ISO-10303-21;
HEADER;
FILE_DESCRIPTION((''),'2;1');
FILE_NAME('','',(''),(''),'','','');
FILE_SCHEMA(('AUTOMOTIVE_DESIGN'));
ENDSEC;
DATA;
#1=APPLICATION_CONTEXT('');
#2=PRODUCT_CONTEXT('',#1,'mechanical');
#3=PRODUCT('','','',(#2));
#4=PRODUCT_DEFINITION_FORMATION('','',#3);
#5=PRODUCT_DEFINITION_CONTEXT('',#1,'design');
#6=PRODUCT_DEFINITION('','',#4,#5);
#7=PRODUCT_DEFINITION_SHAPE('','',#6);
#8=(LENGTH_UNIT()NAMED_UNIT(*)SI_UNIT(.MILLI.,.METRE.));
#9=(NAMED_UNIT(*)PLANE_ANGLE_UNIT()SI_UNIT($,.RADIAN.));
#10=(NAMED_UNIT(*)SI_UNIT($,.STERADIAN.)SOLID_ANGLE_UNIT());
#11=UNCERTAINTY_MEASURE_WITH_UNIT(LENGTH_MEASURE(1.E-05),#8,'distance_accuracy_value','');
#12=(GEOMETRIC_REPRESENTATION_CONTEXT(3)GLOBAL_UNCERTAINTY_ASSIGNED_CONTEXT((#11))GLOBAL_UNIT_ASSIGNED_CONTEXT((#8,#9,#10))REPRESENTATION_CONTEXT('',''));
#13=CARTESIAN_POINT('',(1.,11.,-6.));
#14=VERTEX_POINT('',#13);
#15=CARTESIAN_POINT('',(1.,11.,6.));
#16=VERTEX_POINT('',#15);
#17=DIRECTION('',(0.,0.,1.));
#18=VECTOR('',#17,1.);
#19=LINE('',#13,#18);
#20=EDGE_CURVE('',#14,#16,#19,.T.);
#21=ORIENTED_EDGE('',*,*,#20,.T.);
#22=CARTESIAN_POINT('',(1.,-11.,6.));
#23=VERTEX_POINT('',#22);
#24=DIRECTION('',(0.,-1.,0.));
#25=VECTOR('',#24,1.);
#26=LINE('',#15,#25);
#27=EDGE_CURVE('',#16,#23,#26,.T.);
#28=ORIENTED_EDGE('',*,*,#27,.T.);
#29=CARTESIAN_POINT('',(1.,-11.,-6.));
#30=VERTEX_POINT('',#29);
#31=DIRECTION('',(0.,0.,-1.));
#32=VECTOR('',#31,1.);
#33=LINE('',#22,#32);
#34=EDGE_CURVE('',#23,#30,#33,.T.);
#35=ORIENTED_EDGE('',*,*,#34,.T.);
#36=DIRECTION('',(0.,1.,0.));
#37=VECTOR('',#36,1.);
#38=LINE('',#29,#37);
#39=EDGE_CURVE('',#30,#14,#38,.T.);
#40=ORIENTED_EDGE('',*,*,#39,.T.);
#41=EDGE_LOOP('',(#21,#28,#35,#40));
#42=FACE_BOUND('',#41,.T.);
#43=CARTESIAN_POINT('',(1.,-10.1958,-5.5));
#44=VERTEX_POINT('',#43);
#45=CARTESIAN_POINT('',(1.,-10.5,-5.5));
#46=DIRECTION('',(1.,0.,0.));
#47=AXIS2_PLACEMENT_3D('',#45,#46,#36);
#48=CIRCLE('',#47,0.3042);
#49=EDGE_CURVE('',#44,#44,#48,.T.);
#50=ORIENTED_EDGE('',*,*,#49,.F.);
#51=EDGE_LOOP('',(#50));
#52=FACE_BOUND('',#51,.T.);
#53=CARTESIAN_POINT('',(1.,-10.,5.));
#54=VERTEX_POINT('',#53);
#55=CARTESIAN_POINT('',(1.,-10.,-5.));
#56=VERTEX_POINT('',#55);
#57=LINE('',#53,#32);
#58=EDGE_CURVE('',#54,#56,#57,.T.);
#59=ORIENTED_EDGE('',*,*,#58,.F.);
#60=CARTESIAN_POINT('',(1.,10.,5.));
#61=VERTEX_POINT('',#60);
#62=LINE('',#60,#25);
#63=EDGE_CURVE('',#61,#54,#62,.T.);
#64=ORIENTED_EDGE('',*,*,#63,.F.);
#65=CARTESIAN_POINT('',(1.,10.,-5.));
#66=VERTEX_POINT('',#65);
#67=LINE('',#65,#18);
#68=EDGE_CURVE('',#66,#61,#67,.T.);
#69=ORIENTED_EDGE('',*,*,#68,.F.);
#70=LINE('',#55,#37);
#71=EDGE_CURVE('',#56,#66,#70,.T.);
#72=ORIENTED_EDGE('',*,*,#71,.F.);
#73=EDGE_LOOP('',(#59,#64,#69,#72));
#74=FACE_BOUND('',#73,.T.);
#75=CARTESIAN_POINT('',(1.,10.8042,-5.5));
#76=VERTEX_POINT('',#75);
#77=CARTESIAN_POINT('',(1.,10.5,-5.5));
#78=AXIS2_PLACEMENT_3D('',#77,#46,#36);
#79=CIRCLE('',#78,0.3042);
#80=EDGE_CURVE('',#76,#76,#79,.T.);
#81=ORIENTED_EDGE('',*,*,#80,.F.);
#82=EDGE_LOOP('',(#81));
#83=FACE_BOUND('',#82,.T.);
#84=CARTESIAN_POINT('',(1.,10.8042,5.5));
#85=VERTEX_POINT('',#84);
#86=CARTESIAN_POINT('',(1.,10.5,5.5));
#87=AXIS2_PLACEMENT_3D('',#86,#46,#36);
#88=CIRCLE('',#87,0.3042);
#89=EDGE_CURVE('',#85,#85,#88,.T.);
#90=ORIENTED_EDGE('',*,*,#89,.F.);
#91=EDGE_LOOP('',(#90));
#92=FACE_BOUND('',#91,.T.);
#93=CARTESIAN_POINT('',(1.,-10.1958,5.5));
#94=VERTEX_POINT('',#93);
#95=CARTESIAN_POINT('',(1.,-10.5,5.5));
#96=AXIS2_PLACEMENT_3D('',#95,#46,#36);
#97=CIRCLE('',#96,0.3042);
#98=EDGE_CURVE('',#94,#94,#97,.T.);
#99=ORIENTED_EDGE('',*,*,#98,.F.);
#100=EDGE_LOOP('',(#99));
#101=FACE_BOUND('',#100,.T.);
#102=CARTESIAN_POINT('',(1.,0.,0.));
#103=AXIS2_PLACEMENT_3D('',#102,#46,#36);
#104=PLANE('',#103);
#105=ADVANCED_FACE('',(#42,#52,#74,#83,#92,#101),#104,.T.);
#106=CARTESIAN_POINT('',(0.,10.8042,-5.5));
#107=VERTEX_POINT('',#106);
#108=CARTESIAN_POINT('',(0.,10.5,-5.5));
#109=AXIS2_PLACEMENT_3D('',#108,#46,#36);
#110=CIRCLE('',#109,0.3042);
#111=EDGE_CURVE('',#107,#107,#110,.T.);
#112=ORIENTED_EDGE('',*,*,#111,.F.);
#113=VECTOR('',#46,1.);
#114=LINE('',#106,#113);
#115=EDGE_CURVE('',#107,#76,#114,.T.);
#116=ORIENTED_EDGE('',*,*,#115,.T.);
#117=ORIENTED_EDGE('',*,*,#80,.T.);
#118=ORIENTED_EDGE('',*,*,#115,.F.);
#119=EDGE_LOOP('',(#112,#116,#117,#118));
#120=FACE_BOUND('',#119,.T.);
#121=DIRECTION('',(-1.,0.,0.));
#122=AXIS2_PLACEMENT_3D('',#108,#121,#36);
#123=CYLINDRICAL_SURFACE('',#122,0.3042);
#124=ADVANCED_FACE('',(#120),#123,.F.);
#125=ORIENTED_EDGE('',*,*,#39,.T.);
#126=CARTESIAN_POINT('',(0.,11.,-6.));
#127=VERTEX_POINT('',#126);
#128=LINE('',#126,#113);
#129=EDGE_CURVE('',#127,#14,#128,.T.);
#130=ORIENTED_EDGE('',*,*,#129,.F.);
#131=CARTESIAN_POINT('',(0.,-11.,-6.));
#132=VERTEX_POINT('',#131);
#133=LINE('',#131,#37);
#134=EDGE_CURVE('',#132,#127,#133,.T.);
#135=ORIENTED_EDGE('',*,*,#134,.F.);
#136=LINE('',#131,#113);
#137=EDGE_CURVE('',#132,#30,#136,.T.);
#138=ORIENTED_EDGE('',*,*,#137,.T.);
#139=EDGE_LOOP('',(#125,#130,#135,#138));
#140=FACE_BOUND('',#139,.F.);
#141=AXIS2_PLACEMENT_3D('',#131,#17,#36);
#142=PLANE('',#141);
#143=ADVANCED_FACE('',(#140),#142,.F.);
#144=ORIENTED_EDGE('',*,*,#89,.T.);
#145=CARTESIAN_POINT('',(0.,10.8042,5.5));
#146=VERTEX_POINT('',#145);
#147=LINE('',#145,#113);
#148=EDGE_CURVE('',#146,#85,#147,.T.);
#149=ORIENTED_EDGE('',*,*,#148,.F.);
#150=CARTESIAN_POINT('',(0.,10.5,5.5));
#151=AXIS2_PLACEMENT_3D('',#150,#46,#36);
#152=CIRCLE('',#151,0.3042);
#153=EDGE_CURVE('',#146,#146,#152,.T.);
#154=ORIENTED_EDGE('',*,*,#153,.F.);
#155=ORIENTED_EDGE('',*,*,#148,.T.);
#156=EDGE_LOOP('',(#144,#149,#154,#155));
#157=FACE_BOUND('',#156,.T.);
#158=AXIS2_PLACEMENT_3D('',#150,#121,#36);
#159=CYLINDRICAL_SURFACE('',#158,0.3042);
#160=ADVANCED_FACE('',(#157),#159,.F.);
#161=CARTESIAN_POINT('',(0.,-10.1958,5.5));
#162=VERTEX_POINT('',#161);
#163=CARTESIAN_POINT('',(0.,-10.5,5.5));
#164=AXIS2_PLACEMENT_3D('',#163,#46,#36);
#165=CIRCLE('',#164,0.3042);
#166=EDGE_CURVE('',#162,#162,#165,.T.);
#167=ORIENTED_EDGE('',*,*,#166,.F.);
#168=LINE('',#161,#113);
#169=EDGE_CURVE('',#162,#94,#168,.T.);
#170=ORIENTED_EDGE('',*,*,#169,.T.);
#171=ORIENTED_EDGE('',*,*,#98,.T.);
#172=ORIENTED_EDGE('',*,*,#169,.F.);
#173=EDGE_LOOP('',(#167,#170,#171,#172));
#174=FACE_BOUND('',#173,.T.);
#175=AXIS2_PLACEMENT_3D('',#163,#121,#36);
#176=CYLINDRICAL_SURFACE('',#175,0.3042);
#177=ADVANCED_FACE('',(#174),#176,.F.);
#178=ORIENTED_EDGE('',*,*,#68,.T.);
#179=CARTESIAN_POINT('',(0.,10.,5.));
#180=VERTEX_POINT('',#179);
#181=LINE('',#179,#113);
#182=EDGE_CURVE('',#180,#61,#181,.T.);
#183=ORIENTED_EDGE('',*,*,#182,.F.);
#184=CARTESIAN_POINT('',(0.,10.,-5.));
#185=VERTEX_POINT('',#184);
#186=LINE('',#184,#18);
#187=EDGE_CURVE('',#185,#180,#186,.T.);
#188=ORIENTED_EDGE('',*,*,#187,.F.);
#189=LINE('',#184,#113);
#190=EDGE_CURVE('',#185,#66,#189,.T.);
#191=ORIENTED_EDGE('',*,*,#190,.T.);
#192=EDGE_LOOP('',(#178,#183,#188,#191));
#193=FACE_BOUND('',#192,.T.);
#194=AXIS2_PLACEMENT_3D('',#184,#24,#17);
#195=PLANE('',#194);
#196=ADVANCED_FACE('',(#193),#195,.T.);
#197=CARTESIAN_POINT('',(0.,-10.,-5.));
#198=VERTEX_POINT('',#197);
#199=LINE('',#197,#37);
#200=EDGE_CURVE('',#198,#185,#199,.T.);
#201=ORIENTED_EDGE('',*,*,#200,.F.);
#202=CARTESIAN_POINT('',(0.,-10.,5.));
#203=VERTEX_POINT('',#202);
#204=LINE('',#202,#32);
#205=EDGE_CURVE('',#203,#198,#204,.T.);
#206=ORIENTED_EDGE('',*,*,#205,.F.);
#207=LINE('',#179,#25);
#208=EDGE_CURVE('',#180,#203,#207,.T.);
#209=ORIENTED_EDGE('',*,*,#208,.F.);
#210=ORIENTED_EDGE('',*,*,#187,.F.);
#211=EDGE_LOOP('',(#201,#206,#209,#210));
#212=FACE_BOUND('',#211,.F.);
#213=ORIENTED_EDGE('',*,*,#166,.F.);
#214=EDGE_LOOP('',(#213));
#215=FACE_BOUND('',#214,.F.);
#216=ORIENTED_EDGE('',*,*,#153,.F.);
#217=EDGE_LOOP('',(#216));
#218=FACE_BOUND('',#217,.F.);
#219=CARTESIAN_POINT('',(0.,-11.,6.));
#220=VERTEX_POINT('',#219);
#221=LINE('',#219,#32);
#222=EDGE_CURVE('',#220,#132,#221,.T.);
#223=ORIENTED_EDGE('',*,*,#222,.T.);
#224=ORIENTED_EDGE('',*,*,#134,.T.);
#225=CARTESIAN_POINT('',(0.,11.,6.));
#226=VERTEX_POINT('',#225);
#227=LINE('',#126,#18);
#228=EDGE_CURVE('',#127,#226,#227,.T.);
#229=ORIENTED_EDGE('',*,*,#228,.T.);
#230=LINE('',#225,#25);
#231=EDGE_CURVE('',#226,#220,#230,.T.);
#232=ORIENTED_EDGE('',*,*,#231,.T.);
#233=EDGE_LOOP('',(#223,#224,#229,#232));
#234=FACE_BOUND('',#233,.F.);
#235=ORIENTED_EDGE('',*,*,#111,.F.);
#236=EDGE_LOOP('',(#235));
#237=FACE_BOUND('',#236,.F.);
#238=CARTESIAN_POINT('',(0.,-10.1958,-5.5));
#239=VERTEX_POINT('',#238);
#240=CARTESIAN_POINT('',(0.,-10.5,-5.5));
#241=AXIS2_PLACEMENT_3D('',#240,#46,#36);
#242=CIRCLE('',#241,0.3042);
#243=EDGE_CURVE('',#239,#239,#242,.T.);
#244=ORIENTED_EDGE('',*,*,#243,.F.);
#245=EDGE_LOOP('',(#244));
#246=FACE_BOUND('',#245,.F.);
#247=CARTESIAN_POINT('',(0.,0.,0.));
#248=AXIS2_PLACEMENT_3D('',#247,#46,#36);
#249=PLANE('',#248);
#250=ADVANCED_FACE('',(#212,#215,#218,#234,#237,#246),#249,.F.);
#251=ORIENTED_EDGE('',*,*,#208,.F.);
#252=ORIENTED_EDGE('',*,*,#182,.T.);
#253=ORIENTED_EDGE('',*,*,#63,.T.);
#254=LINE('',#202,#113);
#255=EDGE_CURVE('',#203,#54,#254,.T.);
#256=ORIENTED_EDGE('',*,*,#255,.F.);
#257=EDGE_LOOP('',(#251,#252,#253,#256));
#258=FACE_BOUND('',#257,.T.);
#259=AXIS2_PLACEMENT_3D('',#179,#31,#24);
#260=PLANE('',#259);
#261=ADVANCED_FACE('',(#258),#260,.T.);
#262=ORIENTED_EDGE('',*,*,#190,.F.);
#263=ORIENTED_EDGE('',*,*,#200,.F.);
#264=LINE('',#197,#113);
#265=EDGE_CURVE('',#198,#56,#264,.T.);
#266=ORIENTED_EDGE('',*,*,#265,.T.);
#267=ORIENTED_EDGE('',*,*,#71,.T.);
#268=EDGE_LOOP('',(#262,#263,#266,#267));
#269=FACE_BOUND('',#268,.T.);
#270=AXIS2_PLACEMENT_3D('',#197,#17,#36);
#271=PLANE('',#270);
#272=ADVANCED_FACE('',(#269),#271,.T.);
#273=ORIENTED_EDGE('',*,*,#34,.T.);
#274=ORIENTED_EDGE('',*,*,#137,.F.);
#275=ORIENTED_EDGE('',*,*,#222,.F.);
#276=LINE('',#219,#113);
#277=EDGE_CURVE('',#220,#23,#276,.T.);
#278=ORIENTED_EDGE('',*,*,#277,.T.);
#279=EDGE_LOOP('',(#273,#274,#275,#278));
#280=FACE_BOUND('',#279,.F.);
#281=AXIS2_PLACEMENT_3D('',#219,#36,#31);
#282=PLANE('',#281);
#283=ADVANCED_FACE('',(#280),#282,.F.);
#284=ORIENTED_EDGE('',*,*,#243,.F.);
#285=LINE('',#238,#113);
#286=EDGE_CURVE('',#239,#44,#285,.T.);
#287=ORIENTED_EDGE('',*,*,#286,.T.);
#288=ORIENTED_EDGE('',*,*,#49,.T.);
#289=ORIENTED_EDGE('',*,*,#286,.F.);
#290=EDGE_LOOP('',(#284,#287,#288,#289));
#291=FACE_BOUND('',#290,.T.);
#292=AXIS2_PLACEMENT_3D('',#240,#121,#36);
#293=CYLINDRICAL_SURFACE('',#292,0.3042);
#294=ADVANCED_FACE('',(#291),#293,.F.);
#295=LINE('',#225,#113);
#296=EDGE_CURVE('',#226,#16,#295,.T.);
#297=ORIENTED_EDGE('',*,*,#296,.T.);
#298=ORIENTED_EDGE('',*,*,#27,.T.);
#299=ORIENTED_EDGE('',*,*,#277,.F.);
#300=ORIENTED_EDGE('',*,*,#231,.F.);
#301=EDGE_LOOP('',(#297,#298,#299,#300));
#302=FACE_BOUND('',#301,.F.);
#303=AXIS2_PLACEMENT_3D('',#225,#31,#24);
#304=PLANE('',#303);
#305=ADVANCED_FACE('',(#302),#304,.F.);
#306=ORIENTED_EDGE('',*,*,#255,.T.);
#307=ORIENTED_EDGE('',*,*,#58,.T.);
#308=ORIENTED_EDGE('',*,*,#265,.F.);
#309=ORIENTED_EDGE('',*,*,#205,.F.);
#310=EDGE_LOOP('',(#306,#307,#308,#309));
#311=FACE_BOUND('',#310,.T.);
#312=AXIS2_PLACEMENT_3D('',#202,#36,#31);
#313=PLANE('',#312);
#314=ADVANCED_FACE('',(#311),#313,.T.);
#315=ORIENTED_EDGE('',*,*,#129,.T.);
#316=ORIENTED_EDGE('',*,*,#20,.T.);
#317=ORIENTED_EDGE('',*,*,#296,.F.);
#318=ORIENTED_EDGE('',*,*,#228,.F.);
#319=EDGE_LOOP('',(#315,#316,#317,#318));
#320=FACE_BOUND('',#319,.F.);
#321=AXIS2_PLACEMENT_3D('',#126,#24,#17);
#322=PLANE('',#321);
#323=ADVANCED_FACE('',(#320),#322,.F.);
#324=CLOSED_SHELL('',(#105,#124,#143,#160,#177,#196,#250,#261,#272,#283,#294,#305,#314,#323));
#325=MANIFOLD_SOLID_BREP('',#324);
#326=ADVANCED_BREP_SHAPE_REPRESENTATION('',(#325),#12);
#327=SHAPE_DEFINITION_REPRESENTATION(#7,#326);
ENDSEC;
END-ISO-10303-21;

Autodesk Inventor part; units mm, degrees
ref_plane "YZ Plane" through (0, 0, 0) normal (1, 0, 0) x (0, 1, 0)
ref_plane "XZ Plane" through (0, 0, 0) normal (0, 1, 0) x (-1, 0, 0)
ref_plane "XY Plane" through (0, 0, 0) normal (0, 0, 1) x (1, 0, 0)
sketch "Esquisse1" plane through (0, 0, 0) normal (1, 0, 0) x (0, 1, 0)
  line L0 (10, 5) -> (-10, 5)
  line L1 (-10, 5) -> (-10, -5)
  line L2 (-10, -5) -> (10, -5)
  line L3 (10, -5) -> (10, 5)
  line L4 (10, 5) -> (-10, -5) construction
  line L5 (-10, 5) -> (10, -5) construction
  line L6 (11, 6) -> (-11, 6)
  line L7 (-11, 6) -> (-11, -6)
  line L8 (-11, -6) -> (11, -6)
  line L9 (11, -6) -> (11, 6)
  line L10 (11, 6) -> (-11, -6) construction
  line L11 (-11, 6) -> (11, -6) construction
  line L12 (-11, 6) -> (-10, 5) construction
  circle A0 centre (-10.5, 5.5) radius 0.3042
  line L13 (-10, -5) -> (-11, -6) construction
  circle A1 centre (-10.5, -5.5) radius 0.3042
  line L14 (0, 12.1344) -> (0, -11.0693) construction
  line L15 (0, -11.0693) -> (0, -10.4091)
  line L16 (10, 5) -> (11, 6) construction
  line L17 (10, -5) -> (11, -6) construction
  circle A2 centre (10.5, 5.5) radius 0.3042
  circle A3 centre (10.5, -5.5) radius 0.3042
  point P0 (0, 0)
  point P1 (0, 0)
  point P2 (0, 0)
  dimension "d0" = 10
  dimension "d1" = 20
  dimension "d2" = 22
  dimension "d3" = 12
  dimension "d4" = 0.6083
  dimension "d5" = 0.6083
  dimension "d6" = 0.6083
  dimension "d7" = 0.6083
extrude "Extrusion1" add sketch "Esquisse1" along normal blind 1
properties part number "Cadre encoche manette"
